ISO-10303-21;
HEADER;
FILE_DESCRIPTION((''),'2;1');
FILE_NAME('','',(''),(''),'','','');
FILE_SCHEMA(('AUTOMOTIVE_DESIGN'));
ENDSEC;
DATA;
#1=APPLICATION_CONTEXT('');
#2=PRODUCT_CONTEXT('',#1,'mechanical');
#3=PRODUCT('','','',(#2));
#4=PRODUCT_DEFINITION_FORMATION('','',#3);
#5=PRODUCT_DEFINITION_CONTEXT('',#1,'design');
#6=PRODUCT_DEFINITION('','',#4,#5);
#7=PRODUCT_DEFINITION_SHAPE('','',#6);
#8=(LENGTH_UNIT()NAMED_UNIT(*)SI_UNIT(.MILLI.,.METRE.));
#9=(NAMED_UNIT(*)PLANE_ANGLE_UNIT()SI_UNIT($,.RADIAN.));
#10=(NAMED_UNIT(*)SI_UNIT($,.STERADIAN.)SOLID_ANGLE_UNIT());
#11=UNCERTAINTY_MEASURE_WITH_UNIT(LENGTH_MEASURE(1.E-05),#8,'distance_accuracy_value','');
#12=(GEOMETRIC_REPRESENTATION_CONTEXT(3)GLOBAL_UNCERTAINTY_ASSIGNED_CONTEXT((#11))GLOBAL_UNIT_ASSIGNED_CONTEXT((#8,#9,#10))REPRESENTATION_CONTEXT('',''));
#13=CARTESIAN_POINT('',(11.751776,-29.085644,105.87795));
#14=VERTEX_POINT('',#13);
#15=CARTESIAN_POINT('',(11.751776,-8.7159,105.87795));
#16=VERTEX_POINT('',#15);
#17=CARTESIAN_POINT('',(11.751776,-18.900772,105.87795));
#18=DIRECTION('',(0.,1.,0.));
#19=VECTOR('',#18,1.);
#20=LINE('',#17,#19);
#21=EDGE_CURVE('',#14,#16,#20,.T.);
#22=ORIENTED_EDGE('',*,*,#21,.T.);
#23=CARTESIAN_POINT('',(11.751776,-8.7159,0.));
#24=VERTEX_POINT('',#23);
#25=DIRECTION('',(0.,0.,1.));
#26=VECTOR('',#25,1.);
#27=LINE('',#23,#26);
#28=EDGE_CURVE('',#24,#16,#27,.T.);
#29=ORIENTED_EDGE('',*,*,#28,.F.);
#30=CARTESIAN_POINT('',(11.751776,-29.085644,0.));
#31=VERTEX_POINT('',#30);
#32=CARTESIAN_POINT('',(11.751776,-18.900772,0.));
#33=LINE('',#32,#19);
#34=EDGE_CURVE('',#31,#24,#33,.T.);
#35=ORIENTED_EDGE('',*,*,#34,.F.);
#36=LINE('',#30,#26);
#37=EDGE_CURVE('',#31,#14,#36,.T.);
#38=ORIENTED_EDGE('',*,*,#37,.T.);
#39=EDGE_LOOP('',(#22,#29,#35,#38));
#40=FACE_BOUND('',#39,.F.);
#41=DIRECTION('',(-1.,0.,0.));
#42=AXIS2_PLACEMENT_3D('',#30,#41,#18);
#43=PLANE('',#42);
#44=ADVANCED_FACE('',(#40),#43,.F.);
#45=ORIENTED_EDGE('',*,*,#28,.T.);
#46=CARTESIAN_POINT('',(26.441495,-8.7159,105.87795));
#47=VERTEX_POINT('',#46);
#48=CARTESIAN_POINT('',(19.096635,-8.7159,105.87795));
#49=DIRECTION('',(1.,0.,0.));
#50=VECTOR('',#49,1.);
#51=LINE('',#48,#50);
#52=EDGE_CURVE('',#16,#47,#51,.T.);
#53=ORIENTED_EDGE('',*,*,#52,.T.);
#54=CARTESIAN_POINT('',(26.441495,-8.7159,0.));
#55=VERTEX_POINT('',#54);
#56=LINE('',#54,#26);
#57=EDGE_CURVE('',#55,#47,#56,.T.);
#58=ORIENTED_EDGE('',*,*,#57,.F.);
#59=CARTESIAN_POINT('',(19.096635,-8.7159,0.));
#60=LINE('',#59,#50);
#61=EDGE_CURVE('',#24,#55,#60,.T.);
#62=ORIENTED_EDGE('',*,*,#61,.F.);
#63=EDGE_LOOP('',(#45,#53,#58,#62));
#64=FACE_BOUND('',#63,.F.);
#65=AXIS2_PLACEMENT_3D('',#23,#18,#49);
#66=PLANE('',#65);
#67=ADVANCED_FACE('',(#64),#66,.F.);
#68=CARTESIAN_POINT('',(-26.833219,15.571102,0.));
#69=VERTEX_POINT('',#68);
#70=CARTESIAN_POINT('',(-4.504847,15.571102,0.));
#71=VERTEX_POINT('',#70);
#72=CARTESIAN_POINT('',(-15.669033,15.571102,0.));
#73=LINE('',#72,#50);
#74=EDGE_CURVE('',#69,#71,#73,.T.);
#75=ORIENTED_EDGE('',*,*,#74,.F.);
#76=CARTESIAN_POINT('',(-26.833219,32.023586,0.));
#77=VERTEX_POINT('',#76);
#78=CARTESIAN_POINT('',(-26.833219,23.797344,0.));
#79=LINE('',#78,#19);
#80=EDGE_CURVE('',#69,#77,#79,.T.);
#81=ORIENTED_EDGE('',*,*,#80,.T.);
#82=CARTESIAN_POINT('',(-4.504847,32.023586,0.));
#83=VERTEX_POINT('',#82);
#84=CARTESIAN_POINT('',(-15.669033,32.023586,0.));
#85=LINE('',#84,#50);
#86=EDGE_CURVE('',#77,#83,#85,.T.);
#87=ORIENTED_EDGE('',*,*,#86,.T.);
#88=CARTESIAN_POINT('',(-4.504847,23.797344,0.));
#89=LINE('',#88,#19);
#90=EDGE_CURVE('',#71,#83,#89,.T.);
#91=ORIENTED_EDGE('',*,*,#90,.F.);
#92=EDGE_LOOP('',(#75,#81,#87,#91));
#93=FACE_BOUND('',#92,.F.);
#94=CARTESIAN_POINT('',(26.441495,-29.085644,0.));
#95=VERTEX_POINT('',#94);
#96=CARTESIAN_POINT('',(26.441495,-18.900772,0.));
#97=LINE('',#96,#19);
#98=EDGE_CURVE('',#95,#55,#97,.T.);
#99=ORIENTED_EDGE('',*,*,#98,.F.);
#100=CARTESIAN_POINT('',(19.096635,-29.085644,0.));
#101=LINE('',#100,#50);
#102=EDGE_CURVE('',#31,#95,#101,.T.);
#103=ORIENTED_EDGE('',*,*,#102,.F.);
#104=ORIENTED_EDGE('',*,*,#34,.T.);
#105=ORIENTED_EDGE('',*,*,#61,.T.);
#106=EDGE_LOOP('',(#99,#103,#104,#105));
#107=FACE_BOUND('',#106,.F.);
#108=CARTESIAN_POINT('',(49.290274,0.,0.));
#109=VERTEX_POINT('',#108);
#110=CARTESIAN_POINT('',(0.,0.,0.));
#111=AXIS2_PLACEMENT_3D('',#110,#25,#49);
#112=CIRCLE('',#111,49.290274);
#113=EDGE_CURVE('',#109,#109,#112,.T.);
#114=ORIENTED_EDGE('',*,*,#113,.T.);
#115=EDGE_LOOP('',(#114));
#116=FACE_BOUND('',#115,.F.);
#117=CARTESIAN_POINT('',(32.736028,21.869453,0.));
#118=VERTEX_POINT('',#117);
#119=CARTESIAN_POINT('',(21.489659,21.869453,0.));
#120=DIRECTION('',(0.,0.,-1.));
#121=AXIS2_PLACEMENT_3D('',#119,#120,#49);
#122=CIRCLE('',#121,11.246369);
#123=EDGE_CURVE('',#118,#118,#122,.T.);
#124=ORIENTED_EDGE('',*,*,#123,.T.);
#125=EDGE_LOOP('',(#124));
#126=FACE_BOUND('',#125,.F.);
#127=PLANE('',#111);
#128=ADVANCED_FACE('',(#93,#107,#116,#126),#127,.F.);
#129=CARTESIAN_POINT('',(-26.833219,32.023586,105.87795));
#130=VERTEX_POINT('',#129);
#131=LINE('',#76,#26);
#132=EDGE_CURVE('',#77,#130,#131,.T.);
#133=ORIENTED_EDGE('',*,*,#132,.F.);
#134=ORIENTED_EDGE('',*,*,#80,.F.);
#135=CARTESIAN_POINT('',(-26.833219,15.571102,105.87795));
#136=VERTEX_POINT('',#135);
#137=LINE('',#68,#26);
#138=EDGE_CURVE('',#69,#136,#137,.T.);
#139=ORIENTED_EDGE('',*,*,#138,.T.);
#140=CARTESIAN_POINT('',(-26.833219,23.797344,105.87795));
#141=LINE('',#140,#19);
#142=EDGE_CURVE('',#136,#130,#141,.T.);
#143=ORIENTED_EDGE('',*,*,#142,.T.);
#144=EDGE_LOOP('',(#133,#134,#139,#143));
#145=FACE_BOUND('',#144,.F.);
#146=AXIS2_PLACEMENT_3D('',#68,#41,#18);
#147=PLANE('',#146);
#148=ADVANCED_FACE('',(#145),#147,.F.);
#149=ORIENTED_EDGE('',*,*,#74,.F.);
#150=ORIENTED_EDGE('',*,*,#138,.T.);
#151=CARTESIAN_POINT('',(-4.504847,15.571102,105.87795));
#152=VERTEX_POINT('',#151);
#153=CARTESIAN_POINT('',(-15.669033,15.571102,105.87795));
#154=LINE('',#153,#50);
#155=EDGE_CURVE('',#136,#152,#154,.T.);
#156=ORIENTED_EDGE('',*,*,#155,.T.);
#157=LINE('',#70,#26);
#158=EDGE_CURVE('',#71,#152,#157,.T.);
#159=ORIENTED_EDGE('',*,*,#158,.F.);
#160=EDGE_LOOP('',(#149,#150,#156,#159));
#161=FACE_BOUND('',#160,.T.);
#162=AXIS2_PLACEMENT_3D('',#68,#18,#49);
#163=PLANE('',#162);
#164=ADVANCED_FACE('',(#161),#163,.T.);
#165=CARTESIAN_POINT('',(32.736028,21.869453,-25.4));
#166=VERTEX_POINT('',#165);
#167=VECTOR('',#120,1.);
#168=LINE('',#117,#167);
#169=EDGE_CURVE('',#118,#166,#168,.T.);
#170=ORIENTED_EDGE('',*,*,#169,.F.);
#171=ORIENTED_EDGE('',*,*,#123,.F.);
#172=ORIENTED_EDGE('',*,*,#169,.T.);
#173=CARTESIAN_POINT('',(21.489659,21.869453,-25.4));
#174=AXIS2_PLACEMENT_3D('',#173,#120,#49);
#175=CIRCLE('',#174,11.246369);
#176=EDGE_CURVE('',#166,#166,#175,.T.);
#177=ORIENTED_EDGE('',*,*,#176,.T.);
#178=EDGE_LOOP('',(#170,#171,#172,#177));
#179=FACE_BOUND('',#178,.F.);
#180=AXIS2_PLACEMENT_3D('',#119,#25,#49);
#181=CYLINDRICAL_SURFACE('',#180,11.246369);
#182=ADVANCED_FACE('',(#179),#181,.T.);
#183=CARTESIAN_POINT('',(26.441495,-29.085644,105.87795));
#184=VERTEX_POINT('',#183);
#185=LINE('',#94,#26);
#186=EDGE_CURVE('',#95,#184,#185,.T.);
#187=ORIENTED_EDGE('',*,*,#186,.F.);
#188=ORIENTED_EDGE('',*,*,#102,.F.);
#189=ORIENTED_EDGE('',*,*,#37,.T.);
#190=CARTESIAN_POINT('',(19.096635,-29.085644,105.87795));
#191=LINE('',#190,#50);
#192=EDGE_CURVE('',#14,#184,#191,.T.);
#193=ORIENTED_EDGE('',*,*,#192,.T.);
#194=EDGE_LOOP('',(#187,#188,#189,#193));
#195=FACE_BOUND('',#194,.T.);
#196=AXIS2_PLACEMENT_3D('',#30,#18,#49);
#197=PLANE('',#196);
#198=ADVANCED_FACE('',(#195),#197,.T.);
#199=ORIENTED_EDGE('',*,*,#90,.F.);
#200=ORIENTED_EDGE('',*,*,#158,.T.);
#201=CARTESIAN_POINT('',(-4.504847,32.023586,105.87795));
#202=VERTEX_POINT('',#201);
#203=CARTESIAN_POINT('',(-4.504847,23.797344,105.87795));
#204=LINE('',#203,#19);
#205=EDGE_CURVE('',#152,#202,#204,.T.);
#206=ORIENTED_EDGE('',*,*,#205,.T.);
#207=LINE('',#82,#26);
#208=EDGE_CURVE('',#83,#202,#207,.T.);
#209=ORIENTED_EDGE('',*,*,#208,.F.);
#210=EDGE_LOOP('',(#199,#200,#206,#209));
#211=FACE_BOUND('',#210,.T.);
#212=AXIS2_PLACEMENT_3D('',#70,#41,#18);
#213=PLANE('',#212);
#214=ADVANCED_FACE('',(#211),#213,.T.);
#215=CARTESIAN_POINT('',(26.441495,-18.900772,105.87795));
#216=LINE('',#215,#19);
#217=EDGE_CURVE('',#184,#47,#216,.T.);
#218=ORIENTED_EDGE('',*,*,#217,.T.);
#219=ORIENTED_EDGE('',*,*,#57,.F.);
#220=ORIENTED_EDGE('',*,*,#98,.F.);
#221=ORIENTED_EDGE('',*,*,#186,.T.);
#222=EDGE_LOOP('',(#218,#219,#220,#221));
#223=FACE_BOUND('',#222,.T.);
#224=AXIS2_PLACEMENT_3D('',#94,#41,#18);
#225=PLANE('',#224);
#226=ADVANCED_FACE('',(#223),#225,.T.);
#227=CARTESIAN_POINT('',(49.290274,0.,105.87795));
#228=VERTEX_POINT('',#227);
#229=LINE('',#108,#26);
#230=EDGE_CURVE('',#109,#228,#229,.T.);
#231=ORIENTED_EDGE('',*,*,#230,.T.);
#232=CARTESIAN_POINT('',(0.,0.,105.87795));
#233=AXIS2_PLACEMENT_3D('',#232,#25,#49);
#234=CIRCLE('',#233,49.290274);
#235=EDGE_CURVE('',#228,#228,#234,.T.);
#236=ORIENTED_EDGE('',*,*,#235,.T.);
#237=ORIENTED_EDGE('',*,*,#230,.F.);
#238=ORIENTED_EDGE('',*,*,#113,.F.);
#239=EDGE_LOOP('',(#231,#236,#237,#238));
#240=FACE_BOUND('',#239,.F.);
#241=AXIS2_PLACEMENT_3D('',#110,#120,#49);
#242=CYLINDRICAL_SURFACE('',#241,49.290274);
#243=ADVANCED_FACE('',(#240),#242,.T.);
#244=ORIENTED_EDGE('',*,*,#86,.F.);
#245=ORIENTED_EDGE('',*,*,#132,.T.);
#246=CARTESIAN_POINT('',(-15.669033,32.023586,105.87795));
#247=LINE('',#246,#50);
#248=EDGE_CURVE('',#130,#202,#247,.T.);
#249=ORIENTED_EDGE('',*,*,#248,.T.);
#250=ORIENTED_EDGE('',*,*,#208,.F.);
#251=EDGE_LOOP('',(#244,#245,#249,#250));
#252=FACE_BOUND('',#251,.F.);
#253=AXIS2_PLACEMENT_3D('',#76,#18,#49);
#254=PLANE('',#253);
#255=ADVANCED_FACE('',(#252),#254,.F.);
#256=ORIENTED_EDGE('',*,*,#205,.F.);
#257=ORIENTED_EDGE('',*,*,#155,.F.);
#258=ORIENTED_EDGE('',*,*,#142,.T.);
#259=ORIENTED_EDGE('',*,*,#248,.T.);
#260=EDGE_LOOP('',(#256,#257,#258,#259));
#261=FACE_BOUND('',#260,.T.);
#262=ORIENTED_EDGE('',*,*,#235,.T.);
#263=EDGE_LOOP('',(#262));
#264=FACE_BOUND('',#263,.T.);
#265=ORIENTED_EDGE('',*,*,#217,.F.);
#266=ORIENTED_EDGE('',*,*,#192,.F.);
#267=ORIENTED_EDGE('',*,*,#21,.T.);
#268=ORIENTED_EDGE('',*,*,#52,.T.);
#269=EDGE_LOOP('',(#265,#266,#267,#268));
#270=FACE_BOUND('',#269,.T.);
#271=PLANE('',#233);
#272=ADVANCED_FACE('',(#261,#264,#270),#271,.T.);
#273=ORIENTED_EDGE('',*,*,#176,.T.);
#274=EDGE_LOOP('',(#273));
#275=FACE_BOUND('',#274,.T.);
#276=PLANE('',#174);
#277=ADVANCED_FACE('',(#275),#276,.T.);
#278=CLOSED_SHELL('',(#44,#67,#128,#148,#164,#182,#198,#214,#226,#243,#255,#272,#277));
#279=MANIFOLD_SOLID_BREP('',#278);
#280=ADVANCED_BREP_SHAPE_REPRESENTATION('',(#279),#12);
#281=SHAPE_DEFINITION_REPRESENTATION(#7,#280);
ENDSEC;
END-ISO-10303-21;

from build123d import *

# Parameters (mm, degrees)
F0_R     = 49.290274
F0_W     = 14.689719
F0_H     = 20.369744
F0_W_2   = 22.328372
F0_H_2   = 16.452484
F1_DEPTH = 105.87795
F2_R     = 11.246369
F3_DEPTH = 25.4


with BuildPart() as f1:
    # F0 (on Top) → F1 (new body)
    with BuildSketch(Plane.XY):
        Circle(F0_R)
        with Locations((19.096635, -18.900772)):
            Rectangle(F0_W, F0_H, mode=Mode.SUBTRACT)
        with Locations((-15.669033, 23.797344)):
            Rectangle(F0_W_2, F0_H_2, mode=Mode.SUBTRACT)
    extrude(amount=F1_DEPTH)

    # F2 (on face) → F3 (join)
    with BuildSketch(Plane(origin=(0, 0, 0), x_dir=(1, 0, 0), z_dir=(0, 0, -1))):
        with Locations((21.489659, -21.869453)):
            Circle(F2_R)
    extrude(amount=F3_DEPTH)


solid = f1.part
